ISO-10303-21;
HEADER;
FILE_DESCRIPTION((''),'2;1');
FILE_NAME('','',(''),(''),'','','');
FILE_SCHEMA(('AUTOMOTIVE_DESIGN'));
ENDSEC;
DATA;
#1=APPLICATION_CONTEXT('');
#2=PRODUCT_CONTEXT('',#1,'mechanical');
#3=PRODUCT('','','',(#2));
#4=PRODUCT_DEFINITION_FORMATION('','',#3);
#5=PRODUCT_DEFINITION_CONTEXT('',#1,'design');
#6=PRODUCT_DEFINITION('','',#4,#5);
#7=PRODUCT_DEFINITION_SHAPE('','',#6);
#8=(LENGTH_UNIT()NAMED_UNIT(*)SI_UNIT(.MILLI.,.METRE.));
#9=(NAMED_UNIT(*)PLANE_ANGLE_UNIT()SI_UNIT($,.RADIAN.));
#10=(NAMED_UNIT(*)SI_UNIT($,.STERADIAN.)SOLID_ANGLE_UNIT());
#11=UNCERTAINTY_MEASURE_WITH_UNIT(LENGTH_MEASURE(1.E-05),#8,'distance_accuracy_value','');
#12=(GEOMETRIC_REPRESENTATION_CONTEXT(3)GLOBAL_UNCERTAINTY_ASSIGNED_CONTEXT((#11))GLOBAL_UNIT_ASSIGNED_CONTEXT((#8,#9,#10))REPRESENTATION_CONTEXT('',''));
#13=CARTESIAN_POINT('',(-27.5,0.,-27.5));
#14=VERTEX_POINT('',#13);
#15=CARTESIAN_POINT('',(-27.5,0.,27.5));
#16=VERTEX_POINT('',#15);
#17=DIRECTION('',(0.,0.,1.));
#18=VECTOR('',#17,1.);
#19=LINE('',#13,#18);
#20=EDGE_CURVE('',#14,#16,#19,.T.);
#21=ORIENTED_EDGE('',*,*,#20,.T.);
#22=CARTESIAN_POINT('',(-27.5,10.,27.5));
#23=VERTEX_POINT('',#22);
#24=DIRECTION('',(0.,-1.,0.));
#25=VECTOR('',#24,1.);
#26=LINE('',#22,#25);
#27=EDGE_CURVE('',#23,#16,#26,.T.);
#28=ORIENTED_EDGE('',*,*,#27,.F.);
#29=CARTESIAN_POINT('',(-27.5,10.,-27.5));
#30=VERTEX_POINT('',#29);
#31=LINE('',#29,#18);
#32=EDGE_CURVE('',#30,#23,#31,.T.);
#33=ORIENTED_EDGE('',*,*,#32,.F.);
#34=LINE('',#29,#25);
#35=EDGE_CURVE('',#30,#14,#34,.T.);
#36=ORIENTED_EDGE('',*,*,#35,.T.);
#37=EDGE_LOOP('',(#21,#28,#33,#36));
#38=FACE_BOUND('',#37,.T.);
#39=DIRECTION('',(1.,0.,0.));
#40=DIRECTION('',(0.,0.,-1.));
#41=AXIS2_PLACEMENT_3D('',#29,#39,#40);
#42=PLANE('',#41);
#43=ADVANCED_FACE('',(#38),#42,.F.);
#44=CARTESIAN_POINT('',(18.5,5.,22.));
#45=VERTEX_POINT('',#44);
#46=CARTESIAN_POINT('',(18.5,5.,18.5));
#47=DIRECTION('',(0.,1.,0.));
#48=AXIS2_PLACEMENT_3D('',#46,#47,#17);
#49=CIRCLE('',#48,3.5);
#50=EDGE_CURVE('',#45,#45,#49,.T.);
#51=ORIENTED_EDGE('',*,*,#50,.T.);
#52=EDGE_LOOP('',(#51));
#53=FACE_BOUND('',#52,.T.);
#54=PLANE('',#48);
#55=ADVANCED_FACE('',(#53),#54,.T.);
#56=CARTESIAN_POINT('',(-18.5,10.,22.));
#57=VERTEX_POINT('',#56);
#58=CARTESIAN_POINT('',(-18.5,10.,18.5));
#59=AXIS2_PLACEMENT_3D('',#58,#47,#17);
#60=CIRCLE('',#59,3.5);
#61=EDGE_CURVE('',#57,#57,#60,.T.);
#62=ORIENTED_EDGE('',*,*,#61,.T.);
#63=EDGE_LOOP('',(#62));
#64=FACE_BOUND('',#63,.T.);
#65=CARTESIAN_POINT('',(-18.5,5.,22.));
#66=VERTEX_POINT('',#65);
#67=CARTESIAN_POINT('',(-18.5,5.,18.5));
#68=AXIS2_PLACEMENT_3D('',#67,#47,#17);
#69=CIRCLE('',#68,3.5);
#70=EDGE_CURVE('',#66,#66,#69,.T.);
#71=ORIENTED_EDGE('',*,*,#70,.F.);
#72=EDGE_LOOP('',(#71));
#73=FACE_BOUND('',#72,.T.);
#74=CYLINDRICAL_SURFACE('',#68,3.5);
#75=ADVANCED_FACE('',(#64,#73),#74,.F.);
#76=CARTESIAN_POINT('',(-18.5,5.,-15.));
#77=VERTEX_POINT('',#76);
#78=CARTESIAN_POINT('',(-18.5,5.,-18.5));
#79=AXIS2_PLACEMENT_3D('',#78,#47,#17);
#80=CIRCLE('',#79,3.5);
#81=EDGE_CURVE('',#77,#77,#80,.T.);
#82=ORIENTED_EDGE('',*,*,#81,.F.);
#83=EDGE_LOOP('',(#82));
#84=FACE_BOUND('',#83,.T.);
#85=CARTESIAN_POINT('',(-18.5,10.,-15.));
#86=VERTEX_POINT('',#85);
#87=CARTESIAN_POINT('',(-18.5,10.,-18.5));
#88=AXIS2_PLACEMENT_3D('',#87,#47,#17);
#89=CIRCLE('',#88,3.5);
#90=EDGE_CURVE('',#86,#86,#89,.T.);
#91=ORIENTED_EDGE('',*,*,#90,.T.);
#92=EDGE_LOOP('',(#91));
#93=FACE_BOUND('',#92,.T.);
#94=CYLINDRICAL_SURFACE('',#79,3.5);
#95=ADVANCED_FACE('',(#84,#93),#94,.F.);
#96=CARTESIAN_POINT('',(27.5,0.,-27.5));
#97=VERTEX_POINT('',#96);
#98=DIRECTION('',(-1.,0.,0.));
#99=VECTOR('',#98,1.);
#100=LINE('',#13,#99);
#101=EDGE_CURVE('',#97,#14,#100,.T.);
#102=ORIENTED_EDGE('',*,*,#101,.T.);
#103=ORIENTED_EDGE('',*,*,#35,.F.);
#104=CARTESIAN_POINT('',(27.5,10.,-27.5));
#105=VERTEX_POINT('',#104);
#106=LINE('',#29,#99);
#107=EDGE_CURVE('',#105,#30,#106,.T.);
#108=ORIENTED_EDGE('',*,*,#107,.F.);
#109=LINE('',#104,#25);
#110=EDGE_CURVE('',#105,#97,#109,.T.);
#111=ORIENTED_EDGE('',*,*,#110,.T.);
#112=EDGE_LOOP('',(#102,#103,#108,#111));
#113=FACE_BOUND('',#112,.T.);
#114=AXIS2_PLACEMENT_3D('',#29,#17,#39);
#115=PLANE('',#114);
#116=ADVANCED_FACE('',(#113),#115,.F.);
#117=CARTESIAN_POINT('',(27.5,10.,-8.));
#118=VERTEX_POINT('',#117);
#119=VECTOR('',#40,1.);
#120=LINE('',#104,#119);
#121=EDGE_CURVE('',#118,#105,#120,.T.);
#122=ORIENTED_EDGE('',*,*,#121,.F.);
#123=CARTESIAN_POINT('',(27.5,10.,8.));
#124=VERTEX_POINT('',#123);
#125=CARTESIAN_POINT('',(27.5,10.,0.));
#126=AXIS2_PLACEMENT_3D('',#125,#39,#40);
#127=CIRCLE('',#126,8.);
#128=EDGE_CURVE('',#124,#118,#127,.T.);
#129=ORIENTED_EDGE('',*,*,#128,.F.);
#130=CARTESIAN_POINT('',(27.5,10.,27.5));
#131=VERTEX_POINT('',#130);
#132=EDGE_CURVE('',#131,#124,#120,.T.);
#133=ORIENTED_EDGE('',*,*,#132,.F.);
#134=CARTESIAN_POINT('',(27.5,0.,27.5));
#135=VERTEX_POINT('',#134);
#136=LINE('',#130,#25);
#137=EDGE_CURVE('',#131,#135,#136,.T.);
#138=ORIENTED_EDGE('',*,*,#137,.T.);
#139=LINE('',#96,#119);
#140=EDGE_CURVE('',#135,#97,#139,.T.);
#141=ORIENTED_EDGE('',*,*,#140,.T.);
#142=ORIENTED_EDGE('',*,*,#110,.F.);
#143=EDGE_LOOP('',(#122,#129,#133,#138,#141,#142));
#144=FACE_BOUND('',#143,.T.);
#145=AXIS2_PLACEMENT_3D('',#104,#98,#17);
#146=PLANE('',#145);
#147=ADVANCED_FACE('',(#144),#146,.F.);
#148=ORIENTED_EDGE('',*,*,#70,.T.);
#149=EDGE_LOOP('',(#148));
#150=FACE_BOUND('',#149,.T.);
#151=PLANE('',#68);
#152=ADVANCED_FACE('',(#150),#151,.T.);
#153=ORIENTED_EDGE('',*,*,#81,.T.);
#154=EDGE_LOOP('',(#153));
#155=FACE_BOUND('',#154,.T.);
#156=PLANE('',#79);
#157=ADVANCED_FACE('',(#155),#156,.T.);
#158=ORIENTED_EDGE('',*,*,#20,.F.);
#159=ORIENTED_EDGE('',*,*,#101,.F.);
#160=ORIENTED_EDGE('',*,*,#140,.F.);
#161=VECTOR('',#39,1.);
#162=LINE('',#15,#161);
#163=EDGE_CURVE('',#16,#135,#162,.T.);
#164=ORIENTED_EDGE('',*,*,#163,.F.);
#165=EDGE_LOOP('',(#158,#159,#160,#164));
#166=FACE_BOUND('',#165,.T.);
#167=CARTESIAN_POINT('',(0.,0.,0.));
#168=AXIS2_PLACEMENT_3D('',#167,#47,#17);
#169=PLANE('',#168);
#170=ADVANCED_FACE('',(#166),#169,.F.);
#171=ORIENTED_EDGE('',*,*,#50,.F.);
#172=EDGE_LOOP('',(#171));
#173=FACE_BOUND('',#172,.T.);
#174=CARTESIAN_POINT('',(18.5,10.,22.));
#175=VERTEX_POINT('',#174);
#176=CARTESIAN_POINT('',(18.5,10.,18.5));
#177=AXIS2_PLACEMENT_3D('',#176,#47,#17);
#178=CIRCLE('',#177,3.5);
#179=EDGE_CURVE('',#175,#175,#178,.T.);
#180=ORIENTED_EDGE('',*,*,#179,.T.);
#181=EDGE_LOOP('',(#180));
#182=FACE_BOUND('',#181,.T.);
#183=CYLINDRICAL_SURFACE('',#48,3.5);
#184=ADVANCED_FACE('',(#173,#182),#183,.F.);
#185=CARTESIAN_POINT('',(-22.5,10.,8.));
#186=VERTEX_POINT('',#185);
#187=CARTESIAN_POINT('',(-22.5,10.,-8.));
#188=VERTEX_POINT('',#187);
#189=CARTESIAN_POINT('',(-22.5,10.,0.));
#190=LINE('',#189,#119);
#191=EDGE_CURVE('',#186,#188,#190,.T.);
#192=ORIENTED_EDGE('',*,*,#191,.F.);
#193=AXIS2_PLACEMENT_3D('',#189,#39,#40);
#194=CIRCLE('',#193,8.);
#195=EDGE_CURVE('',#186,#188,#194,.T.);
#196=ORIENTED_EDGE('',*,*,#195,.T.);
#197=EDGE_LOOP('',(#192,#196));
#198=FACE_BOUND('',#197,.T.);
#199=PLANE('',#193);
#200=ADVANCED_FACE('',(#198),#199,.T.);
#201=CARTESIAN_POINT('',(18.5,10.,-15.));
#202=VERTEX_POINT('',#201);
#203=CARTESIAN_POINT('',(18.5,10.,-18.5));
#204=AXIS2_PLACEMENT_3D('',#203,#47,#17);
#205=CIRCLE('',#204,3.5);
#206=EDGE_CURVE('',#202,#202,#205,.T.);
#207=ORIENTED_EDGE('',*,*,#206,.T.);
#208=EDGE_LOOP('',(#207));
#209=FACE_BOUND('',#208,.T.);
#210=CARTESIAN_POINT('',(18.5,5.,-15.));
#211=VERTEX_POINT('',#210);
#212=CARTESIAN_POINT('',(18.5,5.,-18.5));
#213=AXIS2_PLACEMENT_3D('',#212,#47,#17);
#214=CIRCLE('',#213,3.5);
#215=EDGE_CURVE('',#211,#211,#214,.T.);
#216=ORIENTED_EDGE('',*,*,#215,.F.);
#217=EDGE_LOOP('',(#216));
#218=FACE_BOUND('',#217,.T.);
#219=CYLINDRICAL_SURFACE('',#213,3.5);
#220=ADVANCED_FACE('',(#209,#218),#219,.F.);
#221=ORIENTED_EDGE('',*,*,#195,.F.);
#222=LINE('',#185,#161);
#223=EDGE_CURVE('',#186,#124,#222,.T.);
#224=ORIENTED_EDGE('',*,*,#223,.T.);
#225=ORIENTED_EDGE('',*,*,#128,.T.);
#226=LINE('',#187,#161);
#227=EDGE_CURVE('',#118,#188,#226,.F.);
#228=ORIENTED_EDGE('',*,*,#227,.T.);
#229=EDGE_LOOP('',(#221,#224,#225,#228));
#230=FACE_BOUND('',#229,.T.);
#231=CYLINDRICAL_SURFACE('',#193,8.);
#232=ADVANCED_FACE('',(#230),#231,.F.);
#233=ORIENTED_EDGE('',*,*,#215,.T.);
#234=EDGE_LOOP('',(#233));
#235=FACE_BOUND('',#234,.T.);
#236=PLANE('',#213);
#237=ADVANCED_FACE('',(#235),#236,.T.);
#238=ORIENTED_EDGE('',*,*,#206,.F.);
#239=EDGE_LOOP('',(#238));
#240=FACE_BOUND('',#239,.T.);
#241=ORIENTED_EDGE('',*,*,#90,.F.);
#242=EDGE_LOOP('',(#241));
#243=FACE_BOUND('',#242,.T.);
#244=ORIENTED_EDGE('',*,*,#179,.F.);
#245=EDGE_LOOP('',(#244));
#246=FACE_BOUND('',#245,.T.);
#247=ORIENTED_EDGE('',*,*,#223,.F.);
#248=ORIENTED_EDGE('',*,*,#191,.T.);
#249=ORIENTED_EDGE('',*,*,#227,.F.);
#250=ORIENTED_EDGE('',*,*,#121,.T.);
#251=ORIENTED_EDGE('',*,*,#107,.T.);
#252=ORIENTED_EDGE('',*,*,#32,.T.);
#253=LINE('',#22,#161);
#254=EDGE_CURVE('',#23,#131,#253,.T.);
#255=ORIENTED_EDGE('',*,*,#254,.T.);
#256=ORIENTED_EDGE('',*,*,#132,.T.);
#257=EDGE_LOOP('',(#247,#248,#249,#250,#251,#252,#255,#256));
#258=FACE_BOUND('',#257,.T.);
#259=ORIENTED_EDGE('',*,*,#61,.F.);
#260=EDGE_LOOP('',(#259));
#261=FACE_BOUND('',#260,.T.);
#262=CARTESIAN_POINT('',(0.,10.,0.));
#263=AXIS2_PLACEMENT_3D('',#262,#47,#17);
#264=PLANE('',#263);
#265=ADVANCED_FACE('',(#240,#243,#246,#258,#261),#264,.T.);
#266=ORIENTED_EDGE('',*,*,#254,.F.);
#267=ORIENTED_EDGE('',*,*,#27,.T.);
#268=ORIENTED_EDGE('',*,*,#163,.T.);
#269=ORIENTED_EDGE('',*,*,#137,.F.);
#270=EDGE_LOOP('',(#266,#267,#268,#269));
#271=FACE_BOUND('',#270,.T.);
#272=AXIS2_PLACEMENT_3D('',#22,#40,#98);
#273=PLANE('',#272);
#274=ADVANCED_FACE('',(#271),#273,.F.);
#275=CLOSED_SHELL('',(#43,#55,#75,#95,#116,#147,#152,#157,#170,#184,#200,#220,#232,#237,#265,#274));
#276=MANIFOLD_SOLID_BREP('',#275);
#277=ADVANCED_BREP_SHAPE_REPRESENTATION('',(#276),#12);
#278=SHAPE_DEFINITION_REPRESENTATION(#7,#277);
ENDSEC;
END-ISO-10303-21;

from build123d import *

# Parameters (mm, degrees)
SKETCH1_W           = 55
SKETCH1_H           = 55
BOSS_EXTRUDE1_DEPTH = 10
SKETCH2_R           = 8
CUT_EXTRUDE1_DEPTH  = 50
SKETCH3_R           = 3.5
CUT_EXTRUDE2_DEPTH  = 5


with BuildPart() as part:
    # Sketch1 → Boss-Extrude1 (new body)
    with BuildSketch(Plane(origin=(0, 0, 0), x_dir=(1, 0, 0), z_dir=(0, 1, 0))):
        Rectangle(SKETCH1_W, SKETCH1_H)
    extrude(amount=BOSS_EXTRUDE1_DEPTH)

    # Sketch2 → Cut-Extrude1 (cut)
    with BuildSketch(Plane(origin=(27.5, 0, 0), x_dir=(0, 0, -1), z_dir=(1, 0, 0))):
        with Locations((0, 10)):
            Circle(SKETCH2_R)
    extrude(amount=-CUT_EXTRUDE1_DEPTH, mode=Mode.SUBTRACT)

    # Sketch3 → Cut-Extrude2 (cut)
    with BuildSketch(Plane(origin=(0, 10, 0), x_dir=(1, 0, 0), z_dir=(0, 1, 0))):
        with Locations((-18.5, 18.5)):
            Circle(SKETCH3_R)
        with Locations((18.5, 18.5)):
            Circle(SKETCH3_R)
        with Locations((-18.5, -18.5)):
            Circle(SKETCH3_R)
        with Locations((18.5, -18.5)):
            Circle(SKETCH3_R)
    extrude(amount=-CUT_EXTRUDE2_DEPTH, mode=Mode.SUBTRACT)


solid = part.part
